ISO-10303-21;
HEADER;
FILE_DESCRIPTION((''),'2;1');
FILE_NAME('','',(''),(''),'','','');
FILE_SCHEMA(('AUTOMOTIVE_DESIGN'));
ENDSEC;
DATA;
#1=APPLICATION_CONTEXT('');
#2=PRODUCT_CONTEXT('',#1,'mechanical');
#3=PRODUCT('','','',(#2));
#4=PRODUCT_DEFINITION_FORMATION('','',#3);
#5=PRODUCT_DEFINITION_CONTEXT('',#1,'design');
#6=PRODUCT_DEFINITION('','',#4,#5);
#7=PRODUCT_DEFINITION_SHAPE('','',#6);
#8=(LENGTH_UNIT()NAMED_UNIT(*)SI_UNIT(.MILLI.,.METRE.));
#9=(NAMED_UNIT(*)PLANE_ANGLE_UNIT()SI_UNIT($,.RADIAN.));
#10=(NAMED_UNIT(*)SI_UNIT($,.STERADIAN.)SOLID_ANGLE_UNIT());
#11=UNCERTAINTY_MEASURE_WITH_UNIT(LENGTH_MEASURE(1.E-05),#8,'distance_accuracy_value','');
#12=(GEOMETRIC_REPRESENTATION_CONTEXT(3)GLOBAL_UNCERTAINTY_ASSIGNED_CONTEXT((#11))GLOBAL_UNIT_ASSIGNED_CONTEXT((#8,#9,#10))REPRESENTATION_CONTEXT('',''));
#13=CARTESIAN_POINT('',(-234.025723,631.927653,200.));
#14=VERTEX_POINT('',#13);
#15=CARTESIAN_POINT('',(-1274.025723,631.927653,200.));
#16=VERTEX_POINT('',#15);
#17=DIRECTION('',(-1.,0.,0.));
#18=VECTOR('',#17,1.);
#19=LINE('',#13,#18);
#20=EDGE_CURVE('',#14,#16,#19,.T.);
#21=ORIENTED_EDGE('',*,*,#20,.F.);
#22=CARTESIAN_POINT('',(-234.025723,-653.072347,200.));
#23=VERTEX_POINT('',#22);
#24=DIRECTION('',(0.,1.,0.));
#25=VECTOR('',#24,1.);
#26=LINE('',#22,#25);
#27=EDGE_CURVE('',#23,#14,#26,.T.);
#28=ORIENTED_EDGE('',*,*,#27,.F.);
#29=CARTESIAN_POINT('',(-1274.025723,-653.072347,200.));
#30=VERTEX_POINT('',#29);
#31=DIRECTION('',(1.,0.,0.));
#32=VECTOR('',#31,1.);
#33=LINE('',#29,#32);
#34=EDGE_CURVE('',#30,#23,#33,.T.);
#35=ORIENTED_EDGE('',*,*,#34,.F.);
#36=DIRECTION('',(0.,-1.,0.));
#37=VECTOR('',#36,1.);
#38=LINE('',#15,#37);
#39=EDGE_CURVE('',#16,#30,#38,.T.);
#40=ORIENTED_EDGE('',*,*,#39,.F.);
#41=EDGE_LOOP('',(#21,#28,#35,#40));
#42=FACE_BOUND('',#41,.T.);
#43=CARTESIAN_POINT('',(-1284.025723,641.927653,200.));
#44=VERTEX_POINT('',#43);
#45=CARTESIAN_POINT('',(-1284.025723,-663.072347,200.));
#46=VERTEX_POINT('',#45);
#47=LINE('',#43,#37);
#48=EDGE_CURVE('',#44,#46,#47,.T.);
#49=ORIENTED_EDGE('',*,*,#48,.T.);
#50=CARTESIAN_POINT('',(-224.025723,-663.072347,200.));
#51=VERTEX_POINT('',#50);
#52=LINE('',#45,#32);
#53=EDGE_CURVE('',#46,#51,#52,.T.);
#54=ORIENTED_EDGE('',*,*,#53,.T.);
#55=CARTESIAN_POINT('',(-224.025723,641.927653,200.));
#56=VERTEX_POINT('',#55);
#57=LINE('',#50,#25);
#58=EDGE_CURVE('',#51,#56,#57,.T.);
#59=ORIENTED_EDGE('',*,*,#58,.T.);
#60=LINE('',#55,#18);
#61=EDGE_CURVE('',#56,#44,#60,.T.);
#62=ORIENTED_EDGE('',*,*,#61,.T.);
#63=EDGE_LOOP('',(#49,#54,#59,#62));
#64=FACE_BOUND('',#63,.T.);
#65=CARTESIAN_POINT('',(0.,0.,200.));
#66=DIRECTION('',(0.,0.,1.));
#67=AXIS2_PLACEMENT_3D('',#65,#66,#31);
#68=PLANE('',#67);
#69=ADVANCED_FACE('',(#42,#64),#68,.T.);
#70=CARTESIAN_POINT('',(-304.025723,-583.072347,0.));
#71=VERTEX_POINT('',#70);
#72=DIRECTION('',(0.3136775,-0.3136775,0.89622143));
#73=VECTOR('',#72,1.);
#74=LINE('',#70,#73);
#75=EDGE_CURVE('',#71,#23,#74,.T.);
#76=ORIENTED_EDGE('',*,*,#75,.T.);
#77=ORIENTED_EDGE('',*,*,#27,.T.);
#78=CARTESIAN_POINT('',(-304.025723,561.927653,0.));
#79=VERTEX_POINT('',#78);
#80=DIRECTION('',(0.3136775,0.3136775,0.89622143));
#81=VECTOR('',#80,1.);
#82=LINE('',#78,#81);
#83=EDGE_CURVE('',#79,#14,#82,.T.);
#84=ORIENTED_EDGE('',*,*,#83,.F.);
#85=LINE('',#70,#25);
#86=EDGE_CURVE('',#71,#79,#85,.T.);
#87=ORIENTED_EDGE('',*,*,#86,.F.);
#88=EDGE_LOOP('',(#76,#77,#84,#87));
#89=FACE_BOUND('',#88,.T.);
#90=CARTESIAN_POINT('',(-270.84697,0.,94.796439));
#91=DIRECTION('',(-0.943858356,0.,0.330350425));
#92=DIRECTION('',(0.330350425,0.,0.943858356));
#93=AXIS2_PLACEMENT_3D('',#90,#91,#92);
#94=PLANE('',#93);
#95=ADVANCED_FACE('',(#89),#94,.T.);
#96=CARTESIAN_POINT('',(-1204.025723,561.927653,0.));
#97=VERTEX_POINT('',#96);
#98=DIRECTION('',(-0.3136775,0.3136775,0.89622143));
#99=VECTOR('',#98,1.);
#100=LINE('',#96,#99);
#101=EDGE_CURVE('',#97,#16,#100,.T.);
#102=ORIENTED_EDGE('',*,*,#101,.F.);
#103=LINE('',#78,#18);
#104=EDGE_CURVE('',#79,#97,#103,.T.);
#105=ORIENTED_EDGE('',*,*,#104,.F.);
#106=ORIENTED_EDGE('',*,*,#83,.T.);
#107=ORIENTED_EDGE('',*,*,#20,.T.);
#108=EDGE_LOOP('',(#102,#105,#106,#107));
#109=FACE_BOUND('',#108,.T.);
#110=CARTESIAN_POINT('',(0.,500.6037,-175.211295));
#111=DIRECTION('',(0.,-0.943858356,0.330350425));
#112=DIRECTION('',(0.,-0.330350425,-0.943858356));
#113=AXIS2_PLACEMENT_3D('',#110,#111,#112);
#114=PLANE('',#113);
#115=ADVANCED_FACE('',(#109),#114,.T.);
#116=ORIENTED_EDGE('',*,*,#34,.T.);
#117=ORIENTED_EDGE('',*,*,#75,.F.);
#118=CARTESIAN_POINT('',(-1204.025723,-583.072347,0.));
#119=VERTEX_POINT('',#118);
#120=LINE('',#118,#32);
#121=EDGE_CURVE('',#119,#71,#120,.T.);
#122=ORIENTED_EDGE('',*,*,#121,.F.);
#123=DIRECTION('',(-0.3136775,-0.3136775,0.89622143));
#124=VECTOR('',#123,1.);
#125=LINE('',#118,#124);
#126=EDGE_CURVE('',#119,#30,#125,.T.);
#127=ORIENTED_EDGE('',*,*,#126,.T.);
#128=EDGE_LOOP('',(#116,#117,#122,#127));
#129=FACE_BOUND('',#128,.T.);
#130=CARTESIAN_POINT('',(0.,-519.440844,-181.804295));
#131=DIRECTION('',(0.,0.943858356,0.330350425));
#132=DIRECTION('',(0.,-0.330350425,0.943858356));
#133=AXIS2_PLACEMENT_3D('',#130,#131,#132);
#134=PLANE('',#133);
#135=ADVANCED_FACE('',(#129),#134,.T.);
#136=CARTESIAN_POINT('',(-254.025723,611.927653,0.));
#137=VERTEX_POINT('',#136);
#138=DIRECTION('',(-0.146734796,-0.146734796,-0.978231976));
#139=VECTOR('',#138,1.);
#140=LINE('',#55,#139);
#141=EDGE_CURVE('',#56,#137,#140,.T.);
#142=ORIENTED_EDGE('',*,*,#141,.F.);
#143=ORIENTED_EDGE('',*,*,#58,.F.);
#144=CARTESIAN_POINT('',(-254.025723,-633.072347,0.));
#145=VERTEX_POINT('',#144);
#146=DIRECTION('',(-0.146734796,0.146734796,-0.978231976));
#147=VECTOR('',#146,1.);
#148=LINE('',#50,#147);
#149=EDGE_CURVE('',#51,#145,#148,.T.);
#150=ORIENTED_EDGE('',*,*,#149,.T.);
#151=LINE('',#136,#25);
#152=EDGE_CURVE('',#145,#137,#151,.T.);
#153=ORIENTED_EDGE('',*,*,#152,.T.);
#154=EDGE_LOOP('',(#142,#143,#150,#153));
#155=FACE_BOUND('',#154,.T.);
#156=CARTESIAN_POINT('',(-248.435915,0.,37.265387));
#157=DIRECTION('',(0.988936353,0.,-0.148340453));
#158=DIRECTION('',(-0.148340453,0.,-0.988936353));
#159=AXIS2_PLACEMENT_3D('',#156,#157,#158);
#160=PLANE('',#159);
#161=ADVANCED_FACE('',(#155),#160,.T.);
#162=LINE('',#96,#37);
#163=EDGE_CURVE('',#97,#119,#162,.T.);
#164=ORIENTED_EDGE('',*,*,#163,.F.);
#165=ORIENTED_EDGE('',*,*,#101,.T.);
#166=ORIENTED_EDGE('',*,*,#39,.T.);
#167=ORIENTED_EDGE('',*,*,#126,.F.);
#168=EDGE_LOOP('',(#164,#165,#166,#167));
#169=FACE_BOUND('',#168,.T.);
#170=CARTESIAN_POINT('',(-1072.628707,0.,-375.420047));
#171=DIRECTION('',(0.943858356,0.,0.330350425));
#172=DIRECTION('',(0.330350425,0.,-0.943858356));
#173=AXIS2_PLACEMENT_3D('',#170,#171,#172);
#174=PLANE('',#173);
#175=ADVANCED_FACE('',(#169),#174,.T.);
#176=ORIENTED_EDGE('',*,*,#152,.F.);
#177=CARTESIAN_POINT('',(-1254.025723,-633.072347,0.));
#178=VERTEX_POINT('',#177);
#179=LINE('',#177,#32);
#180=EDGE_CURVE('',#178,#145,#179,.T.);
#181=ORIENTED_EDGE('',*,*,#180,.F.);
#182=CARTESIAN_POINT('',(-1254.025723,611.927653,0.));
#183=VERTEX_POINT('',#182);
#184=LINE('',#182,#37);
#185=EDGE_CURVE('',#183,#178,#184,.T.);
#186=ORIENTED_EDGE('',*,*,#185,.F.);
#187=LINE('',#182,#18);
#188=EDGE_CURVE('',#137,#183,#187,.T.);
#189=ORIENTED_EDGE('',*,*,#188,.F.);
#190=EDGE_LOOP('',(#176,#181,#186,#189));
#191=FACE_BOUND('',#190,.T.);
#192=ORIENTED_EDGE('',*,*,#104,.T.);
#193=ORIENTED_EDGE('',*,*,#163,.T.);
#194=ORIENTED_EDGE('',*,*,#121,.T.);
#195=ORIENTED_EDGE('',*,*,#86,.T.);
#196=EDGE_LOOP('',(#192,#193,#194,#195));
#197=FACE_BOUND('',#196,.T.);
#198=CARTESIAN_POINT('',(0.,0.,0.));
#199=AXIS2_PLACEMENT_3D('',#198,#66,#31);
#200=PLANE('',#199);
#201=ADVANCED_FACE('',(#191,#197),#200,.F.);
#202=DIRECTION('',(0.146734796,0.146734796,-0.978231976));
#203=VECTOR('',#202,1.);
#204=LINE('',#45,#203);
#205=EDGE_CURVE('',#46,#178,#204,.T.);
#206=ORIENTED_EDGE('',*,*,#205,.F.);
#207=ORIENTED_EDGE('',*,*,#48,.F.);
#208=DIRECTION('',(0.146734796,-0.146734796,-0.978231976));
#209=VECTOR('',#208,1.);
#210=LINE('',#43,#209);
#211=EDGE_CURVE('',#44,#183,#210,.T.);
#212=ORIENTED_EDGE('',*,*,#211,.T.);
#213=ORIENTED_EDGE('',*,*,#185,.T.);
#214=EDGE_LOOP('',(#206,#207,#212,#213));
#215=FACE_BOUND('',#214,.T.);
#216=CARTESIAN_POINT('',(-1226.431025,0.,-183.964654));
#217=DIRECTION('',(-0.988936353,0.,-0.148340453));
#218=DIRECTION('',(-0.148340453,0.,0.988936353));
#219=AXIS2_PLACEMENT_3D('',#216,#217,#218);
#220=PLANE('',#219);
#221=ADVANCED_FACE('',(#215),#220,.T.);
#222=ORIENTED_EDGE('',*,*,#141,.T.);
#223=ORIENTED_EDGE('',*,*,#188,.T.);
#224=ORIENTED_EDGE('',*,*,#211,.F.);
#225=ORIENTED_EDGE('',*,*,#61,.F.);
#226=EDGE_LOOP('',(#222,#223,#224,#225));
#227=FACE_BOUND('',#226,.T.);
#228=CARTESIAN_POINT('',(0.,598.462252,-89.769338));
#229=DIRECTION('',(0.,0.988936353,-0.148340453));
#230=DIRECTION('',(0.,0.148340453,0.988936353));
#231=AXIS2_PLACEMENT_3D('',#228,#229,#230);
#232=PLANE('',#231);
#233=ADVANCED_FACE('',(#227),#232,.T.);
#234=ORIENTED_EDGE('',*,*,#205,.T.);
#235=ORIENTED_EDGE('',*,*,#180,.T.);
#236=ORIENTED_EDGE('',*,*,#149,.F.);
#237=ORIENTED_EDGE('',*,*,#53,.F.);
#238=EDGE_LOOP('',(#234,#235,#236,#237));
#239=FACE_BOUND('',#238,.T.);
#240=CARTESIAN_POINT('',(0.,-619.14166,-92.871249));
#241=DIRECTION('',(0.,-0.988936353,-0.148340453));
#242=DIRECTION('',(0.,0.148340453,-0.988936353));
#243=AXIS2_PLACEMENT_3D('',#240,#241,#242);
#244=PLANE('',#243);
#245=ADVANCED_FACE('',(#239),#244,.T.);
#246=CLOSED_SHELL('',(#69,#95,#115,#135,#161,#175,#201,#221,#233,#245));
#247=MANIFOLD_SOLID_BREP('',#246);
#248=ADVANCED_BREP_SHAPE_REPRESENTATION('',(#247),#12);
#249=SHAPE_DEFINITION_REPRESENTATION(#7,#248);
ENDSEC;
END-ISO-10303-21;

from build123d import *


with BuildPart() as part:
    # Sketch9 → Loft1 section 0
    with BuildSketch(Plane.XY.offset(200)):
        with BuildLine():
            Line((-224.025723473, -663.072347267), (-224.025723473, 641.927652733))
            Line((-224.025723473, 641.927652733), (-1284.025723473, 641.927652733))
            Line((-1284.025723473, 641.927652733), (-1284.025723473, -663.072347267))
            Line((-1284.025723473, -663.072347267), (-224.025723473, -663.072347267))
        make_face()
    # Sketch1 → Loft1 section 1
    with BuildSketch(Plane.XY):
        with BuildLine():
            Line((-1254.025723473, 611.927652733), (-254.025723473, 611.927652733))
            Line((-254.025723473, 611.927652733), (-254.025723473, -633.072347267))
            Line((-254.025723473, -633.072347267), (-1254.025723473, -633.072347267))
            Line((-1254.025723473, -633.072347267), (-1254.025723473, 611.927652733))
        make_face()
    loft()

    # Sketch13 → Cut-Loft5 section 0
    with BuildSketch(Plane.XY):
        with BuildLine():
            Line((-1204.025723473, -583.072347267), (-304.025723473, -583.072347267))
            Line((-304.025723473, -583.072347267), (-304.025723473, 561.927652733))
            Line((-304.025723473, 561.927652733), (-1204.025723473, 561.927652733))
            Line((-1204.025723473, 561.927652733), (-1204.025723473, -583.072347267))
        make_face()
    # Sketch12 → Cut-Loft5 section 1
    with BuildSketch(Plane.XY.offset(200)):
        with BuildLine():
            Line((-1274.025723473, 631.927652733), (-1274.025723473, -653.072347267))
            Line((-1274.025723473, -653.072347267), (-234.025723473, -653.072347267))
            Line((-234.025723473, -653.072347267), (-234.025723473, 631.927652733))
            Line((-234.025723473, 631.927652733), (-1274.025723473, 631.927652733))
        make_face()
    loft(mode=Mode.SUBTRACT)


solid = part.part
